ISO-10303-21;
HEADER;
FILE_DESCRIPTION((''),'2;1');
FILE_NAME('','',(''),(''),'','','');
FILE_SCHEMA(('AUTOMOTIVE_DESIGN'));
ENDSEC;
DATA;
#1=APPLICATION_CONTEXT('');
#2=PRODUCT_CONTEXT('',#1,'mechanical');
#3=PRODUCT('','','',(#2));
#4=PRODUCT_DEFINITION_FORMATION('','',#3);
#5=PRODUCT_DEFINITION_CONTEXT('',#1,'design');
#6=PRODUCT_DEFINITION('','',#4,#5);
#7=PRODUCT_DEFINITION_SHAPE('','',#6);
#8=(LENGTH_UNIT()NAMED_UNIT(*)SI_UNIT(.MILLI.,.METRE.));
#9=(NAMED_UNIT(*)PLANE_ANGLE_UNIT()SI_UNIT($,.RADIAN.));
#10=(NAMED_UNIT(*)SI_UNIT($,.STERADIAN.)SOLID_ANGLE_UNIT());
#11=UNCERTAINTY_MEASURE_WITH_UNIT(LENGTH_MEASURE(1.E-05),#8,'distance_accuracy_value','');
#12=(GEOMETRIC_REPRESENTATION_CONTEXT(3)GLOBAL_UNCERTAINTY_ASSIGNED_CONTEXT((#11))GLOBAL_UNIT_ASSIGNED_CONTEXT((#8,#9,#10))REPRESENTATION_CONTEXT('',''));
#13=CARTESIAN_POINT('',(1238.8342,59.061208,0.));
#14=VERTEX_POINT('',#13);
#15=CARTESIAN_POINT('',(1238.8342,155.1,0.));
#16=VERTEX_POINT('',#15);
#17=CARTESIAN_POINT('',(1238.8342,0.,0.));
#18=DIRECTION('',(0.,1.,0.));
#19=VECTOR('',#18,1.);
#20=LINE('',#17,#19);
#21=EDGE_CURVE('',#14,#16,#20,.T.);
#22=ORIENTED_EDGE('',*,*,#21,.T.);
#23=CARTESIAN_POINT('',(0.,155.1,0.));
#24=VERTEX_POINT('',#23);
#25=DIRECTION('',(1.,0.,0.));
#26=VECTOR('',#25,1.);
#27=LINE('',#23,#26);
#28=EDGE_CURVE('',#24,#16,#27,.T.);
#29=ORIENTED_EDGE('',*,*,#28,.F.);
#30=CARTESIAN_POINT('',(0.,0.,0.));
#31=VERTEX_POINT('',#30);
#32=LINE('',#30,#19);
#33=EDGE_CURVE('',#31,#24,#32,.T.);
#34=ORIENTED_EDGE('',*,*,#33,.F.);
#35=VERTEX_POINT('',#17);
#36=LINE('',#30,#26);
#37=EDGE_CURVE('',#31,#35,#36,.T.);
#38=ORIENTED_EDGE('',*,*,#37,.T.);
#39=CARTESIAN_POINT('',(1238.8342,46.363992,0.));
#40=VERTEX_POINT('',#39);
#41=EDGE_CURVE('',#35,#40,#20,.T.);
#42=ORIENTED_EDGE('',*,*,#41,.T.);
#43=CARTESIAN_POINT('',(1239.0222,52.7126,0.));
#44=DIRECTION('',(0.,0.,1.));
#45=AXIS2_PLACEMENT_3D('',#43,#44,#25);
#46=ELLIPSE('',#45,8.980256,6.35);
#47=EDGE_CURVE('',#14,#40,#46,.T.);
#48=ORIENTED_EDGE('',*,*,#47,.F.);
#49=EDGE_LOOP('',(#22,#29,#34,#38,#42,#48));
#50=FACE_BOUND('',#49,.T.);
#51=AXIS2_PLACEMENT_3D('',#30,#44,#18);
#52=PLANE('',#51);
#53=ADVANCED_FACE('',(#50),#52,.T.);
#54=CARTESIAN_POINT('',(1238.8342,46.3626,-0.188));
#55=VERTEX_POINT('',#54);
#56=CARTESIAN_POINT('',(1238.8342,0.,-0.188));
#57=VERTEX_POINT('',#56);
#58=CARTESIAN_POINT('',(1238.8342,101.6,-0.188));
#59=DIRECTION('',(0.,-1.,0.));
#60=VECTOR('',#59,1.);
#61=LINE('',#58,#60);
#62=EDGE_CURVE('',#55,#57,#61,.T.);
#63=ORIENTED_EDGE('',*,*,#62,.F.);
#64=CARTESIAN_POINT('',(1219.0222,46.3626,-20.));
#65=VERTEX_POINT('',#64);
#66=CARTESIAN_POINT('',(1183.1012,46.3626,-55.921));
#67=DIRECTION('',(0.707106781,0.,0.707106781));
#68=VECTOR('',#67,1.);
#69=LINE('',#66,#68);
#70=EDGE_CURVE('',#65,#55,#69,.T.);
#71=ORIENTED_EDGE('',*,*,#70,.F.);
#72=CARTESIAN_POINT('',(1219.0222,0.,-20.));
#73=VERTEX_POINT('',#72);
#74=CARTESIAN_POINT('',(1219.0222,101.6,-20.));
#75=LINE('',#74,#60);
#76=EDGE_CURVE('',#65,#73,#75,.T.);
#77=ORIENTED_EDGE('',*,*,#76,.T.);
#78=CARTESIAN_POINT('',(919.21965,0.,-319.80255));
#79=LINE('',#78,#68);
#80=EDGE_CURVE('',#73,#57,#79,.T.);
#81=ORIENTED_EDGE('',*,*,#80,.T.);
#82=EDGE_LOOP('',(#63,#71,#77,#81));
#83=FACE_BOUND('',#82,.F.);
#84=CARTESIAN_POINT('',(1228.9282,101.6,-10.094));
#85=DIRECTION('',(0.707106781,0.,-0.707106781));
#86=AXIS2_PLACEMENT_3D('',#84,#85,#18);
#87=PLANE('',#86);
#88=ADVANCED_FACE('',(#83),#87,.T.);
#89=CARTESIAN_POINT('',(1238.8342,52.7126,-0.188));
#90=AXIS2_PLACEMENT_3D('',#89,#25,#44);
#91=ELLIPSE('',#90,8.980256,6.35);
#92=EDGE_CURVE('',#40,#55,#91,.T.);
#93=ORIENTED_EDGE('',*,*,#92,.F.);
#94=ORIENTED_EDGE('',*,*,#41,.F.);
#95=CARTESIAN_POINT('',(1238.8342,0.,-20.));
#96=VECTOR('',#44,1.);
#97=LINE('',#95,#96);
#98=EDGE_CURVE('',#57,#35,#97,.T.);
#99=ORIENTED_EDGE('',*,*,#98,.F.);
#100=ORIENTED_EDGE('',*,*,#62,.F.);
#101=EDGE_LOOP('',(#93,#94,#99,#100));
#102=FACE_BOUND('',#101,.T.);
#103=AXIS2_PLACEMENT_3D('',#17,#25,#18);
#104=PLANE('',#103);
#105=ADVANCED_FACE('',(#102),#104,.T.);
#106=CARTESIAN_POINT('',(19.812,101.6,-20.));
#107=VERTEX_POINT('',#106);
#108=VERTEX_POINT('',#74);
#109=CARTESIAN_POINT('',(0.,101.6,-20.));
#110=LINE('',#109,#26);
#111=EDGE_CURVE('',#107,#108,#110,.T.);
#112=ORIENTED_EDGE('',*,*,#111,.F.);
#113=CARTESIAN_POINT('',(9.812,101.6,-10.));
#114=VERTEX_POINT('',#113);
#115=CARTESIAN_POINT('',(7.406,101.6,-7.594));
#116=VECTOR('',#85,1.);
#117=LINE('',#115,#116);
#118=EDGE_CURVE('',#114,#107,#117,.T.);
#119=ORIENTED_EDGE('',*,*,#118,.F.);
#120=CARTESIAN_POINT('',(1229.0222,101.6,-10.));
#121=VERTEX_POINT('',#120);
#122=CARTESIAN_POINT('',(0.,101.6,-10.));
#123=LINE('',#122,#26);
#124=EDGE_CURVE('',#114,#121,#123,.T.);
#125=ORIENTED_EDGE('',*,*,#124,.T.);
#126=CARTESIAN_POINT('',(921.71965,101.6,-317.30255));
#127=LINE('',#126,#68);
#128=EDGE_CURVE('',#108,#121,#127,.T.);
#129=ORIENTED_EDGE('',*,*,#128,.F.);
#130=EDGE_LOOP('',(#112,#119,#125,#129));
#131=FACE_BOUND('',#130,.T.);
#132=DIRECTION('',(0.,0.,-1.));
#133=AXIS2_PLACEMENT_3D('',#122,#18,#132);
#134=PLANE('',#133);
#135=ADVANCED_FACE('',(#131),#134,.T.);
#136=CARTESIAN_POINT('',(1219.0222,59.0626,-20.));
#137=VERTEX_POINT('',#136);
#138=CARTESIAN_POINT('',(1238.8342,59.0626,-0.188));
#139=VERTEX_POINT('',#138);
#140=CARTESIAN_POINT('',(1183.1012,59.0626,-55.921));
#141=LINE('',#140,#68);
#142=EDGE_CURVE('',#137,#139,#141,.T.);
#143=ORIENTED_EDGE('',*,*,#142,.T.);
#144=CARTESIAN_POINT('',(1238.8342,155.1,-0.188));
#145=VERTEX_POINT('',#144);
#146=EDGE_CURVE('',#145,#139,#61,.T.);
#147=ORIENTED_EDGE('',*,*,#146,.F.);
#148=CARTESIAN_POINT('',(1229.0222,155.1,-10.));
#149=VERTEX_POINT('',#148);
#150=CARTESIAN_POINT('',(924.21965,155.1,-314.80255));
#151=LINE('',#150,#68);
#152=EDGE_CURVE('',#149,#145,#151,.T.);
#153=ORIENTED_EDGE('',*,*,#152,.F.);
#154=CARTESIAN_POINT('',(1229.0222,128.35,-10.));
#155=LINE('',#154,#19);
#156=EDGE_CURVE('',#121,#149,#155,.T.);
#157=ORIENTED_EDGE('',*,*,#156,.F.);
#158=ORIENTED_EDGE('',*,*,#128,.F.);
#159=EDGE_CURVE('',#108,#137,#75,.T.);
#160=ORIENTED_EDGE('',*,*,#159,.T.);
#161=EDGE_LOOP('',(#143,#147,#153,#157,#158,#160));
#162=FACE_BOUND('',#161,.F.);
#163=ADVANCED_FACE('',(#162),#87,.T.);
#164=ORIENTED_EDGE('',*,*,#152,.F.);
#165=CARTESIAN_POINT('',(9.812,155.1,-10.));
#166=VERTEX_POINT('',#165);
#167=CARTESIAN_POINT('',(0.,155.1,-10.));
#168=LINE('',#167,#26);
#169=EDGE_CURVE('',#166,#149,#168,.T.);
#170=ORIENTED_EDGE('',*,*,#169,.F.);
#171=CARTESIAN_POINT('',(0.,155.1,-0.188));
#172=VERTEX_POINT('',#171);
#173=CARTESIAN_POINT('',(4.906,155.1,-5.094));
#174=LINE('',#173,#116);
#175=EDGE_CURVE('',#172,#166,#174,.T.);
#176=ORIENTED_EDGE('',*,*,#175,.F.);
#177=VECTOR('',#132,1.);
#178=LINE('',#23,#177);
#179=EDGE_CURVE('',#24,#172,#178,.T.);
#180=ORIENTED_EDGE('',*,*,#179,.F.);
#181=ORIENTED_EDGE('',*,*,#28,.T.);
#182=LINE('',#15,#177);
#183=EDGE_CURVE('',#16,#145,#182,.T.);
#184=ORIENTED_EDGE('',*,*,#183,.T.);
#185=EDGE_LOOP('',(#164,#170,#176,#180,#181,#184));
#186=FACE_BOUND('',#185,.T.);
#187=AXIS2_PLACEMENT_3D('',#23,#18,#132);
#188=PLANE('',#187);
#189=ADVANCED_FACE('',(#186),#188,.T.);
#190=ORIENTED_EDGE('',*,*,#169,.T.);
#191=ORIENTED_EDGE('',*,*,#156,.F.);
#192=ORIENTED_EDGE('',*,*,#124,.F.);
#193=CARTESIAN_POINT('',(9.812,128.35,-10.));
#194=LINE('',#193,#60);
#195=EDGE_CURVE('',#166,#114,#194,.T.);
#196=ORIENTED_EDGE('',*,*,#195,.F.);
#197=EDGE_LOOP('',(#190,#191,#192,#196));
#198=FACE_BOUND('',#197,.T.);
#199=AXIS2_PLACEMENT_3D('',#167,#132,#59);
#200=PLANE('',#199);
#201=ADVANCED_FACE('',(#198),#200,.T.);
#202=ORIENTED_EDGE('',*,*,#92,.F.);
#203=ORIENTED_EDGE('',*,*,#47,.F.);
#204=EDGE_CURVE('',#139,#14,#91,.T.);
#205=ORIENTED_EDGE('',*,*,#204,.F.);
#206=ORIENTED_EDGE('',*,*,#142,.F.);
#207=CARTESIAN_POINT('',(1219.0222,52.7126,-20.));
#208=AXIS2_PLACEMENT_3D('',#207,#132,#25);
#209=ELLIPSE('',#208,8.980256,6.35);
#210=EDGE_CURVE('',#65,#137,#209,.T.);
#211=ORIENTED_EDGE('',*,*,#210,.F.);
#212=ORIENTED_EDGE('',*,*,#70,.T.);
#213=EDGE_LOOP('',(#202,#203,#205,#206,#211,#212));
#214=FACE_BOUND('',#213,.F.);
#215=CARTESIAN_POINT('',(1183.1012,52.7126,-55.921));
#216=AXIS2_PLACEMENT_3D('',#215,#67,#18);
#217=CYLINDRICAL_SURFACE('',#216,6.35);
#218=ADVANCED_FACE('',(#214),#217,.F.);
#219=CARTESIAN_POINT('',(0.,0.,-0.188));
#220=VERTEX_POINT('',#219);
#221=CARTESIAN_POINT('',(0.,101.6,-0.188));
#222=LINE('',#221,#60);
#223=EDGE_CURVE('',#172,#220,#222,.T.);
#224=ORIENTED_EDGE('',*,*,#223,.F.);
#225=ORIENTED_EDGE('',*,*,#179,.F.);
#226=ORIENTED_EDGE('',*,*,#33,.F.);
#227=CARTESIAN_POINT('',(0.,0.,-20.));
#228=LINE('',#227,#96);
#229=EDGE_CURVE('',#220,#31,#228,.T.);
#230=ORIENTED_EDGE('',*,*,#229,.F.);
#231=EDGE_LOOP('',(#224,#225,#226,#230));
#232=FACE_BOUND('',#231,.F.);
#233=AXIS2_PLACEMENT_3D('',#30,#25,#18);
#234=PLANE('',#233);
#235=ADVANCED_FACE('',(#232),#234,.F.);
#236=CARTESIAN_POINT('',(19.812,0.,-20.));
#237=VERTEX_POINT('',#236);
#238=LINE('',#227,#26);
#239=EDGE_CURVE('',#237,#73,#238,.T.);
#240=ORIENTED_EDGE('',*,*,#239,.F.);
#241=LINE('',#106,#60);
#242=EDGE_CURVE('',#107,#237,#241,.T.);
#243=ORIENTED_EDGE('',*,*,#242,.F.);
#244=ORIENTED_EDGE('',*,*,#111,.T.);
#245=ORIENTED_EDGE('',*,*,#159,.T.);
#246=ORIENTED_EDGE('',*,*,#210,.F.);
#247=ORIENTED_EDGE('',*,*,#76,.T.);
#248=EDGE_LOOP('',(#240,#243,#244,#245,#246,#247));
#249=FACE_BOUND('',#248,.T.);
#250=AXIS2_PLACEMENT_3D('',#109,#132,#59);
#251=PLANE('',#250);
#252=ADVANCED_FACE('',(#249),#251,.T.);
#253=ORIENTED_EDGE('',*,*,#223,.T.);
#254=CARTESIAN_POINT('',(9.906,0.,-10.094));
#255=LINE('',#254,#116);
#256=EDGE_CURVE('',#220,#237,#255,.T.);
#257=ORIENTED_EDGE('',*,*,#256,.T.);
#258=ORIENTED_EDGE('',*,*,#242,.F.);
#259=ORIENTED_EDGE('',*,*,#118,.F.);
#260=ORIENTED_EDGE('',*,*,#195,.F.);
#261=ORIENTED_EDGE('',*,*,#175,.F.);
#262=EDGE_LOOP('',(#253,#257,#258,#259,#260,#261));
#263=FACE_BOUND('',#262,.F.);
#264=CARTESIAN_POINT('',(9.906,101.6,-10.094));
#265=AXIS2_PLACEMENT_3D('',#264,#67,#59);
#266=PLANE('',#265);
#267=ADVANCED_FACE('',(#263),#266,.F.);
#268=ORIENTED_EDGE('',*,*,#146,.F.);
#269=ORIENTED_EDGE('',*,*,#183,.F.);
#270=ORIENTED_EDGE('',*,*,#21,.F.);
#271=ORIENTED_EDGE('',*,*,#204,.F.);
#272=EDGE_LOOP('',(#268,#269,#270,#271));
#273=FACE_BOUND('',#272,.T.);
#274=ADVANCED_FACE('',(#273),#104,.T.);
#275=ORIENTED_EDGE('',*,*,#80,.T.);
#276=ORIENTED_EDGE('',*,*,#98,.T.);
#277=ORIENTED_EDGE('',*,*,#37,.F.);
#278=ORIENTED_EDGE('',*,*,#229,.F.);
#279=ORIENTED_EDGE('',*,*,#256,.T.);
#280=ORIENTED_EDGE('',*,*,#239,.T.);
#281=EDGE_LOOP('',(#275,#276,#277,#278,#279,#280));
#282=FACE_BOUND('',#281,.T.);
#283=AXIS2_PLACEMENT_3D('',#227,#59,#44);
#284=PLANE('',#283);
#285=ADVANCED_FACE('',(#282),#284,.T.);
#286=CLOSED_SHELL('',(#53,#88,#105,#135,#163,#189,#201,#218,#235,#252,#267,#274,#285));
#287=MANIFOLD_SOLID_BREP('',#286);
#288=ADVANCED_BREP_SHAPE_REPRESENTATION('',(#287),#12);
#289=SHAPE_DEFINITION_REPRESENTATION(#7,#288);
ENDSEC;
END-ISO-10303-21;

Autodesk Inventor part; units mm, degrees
ref_plane "YZ Plane" through (0, 0, 0) normal (1, 0, 0) x (0, 1, 0)
ref_plane "XZ Plane" through (0, 0, 0) normal (0, 1, 0) x (-1, 0, 0)
sketch "Sketch1" plane through (0, 0, 0) normal (1, 0, 0) x (0, 1, 0)
  line L0 (0, 0) -> (155.1, 0)
  line L1 (155.1, 0) -> (155.1, -10)
  line L2 (0, -20) -> (0, 0)
  line L3 (155.1, -10) -> (101.6, -10)
  line L4 (101.6, -10) -> (101.6, -20)
  line L5 (101.6, -20) -> (0, -20)
  dimension "d3" = 53.5
  dimension "d4" = 155.1
  dimension "d5" = 10
  dimension "d6" = 10
  dimension "d7" = 20
  dimension "d18" = 101.6
extrude "Extrusion1" add sketch "Sketch1" along normal blind 1238.8342
chamfer "Chamfer1" distance 19.812 angle 45 1 edges at (1238.8342, 50.8, -20)
chamfer "Chamfer2" distance 19.812 angle 45 1 edges at (0, 50.8, -20)
ref_plane "Work Plane2" through (1183.1012, 38.0112, -55.921) normal (-0.7071, 0, -0.7071) x (0, 1, 0)
sketch "Sketch3" plane through (1183.1012, 38.0112, -55.921) normal (-0.7071, 0, -0.7071) x (0, 1, 0)
  line L0 (117.0888, 0) -> (14.7014, 0)
  point P0 (-38.0112, -876.121)
  dimension "d21" = 102.3874
hole "Hole1" at (1183.1012, 52.7126, -55.921) direction (0.7071, 0, 0.7071) diameter 12.7 depth 127 tip angle 118
properties part number "SkinnySideLengthPower" material "Wood (Birch)"
